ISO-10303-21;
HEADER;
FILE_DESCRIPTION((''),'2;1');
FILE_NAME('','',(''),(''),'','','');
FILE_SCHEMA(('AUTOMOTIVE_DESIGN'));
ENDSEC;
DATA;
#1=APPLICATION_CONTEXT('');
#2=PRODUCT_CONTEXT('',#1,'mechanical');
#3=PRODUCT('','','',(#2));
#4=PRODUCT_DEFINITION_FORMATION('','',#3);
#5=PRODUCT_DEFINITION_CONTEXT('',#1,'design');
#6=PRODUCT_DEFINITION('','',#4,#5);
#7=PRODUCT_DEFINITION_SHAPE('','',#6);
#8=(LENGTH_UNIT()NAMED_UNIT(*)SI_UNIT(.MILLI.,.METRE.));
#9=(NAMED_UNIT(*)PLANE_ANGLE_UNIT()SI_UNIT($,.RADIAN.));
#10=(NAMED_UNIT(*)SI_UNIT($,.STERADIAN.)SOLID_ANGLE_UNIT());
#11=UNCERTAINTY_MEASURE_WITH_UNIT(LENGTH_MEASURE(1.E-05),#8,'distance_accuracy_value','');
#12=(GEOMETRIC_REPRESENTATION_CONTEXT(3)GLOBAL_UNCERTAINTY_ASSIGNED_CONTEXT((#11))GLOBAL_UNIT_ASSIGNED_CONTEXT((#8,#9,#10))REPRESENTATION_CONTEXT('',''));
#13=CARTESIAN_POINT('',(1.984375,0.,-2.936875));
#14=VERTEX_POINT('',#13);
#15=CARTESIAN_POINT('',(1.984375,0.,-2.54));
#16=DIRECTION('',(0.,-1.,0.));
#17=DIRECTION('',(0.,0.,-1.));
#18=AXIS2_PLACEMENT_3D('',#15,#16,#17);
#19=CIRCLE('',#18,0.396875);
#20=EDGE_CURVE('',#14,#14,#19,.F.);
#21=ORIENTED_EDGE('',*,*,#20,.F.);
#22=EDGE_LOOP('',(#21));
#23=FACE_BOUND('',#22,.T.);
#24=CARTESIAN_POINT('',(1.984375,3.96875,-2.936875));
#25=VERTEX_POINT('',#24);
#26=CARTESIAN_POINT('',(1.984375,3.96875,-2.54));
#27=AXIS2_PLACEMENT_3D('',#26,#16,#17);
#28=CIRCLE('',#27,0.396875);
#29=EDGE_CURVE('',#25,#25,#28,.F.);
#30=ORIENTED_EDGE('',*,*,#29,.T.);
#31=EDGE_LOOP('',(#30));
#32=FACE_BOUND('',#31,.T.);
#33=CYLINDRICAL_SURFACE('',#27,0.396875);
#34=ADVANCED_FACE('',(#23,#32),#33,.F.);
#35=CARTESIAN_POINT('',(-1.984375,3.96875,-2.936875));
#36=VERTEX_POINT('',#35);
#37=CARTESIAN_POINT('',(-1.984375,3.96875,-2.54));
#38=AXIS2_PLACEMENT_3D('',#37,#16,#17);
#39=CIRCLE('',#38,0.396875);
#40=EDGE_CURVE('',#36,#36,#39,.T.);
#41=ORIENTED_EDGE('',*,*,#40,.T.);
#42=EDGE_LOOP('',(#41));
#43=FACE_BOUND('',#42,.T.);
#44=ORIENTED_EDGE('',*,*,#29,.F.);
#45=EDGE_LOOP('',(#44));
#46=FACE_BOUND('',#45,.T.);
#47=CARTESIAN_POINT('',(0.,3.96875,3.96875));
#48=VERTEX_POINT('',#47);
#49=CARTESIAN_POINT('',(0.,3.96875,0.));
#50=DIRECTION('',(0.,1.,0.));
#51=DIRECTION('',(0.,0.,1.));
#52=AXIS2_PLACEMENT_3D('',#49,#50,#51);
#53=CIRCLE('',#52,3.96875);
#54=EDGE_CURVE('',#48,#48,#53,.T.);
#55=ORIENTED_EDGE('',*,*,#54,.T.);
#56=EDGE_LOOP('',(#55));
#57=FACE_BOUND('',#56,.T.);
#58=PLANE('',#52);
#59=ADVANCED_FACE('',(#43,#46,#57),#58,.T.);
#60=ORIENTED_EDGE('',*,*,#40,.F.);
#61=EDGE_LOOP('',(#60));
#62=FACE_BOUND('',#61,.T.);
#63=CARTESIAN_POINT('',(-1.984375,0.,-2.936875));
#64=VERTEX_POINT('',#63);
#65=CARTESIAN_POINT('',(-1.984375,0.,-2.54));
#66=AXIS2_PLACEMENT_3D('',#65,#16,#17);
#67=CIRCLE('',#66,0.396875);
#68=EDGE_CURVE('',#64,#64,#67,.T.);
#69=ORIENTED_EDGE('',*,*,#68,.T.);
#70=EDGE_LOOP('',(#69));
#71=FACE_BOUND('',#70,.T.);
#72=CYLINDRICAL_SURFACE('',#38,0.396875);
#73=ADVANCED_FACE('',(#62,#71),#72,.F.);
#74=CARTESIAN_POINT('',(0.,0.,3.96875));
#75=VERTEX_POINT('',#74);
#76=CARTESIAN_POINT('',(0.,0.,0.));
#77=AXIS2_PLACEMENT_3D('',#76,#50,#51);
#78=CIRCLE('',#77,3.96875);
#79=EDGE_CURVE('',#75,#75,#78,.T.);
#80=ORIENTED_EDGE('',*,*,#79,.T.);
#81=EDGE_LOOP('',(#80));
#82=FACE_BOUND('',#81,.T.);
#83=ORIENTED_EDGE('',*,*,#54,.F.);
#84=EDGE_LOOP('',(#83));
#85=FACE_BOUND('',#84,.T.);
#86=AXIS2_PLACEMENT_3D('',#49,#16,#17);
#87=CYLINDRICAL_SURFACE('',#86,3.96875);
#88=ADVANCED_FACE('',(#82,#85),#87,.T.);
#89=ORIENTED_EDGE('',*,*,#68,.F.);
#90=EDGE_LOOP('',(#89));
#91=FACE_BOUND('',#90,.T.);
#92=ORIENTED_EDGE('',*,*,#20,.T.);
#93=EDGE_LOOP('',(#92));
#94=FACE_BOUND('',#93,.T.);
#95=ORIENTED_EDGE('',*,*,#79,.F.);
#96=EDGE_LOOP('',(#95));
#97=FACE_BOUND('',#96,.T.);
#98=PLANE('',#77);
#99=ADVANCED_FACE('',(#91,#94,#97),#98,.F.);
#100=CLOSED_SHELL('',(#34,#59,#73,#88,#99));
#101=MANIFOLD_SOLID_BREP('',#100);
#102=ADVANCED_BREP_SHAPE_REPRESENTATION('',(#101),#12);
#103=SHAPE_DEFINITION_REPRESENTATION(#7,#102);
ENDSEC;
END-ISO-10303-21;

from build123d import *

# Parameters (mm, degrees)
SKETCH1_R           = 3.96875
BOSS_EXTRUDE1_DEPTH = 3.96875
SKETCH2_R           = 0.396875
CUT_EXTRUDE1_DEPTH  = 7.874076643


with BuildPart() as part:
    # Sketch1 → Boss-Extrude1 (new body)
    with BuildSketch(Plane(origin=(0, 0, 0), x_dir=(1, 0, 0), z_dir=(0, 1, 0))):
        with Locations(Location((0, 0, 0), (0, 0, 270))):
            Circle(SKETCH1_R)
    extrude(amount=BOSS_EXTRUDE1_DEPTH)

    # Sketch2 → Cut-Extrude1 (cut, through all)
    with BuildSketch(Plane.XZ):
        with Locations(Location((1.984375, -2.54, 0), (0, 0, 270))):
            Circle(SKETCH2_R)
        with Locations(Location((-1.984375, -2.54, 0), (0, 0, 270))):
            Circle(SKETCH2_R)
    extrude(amount=-CUT_EXTRUDE1_DEPTH, mode=Mode.SUBTRACT)


solid = part.part
